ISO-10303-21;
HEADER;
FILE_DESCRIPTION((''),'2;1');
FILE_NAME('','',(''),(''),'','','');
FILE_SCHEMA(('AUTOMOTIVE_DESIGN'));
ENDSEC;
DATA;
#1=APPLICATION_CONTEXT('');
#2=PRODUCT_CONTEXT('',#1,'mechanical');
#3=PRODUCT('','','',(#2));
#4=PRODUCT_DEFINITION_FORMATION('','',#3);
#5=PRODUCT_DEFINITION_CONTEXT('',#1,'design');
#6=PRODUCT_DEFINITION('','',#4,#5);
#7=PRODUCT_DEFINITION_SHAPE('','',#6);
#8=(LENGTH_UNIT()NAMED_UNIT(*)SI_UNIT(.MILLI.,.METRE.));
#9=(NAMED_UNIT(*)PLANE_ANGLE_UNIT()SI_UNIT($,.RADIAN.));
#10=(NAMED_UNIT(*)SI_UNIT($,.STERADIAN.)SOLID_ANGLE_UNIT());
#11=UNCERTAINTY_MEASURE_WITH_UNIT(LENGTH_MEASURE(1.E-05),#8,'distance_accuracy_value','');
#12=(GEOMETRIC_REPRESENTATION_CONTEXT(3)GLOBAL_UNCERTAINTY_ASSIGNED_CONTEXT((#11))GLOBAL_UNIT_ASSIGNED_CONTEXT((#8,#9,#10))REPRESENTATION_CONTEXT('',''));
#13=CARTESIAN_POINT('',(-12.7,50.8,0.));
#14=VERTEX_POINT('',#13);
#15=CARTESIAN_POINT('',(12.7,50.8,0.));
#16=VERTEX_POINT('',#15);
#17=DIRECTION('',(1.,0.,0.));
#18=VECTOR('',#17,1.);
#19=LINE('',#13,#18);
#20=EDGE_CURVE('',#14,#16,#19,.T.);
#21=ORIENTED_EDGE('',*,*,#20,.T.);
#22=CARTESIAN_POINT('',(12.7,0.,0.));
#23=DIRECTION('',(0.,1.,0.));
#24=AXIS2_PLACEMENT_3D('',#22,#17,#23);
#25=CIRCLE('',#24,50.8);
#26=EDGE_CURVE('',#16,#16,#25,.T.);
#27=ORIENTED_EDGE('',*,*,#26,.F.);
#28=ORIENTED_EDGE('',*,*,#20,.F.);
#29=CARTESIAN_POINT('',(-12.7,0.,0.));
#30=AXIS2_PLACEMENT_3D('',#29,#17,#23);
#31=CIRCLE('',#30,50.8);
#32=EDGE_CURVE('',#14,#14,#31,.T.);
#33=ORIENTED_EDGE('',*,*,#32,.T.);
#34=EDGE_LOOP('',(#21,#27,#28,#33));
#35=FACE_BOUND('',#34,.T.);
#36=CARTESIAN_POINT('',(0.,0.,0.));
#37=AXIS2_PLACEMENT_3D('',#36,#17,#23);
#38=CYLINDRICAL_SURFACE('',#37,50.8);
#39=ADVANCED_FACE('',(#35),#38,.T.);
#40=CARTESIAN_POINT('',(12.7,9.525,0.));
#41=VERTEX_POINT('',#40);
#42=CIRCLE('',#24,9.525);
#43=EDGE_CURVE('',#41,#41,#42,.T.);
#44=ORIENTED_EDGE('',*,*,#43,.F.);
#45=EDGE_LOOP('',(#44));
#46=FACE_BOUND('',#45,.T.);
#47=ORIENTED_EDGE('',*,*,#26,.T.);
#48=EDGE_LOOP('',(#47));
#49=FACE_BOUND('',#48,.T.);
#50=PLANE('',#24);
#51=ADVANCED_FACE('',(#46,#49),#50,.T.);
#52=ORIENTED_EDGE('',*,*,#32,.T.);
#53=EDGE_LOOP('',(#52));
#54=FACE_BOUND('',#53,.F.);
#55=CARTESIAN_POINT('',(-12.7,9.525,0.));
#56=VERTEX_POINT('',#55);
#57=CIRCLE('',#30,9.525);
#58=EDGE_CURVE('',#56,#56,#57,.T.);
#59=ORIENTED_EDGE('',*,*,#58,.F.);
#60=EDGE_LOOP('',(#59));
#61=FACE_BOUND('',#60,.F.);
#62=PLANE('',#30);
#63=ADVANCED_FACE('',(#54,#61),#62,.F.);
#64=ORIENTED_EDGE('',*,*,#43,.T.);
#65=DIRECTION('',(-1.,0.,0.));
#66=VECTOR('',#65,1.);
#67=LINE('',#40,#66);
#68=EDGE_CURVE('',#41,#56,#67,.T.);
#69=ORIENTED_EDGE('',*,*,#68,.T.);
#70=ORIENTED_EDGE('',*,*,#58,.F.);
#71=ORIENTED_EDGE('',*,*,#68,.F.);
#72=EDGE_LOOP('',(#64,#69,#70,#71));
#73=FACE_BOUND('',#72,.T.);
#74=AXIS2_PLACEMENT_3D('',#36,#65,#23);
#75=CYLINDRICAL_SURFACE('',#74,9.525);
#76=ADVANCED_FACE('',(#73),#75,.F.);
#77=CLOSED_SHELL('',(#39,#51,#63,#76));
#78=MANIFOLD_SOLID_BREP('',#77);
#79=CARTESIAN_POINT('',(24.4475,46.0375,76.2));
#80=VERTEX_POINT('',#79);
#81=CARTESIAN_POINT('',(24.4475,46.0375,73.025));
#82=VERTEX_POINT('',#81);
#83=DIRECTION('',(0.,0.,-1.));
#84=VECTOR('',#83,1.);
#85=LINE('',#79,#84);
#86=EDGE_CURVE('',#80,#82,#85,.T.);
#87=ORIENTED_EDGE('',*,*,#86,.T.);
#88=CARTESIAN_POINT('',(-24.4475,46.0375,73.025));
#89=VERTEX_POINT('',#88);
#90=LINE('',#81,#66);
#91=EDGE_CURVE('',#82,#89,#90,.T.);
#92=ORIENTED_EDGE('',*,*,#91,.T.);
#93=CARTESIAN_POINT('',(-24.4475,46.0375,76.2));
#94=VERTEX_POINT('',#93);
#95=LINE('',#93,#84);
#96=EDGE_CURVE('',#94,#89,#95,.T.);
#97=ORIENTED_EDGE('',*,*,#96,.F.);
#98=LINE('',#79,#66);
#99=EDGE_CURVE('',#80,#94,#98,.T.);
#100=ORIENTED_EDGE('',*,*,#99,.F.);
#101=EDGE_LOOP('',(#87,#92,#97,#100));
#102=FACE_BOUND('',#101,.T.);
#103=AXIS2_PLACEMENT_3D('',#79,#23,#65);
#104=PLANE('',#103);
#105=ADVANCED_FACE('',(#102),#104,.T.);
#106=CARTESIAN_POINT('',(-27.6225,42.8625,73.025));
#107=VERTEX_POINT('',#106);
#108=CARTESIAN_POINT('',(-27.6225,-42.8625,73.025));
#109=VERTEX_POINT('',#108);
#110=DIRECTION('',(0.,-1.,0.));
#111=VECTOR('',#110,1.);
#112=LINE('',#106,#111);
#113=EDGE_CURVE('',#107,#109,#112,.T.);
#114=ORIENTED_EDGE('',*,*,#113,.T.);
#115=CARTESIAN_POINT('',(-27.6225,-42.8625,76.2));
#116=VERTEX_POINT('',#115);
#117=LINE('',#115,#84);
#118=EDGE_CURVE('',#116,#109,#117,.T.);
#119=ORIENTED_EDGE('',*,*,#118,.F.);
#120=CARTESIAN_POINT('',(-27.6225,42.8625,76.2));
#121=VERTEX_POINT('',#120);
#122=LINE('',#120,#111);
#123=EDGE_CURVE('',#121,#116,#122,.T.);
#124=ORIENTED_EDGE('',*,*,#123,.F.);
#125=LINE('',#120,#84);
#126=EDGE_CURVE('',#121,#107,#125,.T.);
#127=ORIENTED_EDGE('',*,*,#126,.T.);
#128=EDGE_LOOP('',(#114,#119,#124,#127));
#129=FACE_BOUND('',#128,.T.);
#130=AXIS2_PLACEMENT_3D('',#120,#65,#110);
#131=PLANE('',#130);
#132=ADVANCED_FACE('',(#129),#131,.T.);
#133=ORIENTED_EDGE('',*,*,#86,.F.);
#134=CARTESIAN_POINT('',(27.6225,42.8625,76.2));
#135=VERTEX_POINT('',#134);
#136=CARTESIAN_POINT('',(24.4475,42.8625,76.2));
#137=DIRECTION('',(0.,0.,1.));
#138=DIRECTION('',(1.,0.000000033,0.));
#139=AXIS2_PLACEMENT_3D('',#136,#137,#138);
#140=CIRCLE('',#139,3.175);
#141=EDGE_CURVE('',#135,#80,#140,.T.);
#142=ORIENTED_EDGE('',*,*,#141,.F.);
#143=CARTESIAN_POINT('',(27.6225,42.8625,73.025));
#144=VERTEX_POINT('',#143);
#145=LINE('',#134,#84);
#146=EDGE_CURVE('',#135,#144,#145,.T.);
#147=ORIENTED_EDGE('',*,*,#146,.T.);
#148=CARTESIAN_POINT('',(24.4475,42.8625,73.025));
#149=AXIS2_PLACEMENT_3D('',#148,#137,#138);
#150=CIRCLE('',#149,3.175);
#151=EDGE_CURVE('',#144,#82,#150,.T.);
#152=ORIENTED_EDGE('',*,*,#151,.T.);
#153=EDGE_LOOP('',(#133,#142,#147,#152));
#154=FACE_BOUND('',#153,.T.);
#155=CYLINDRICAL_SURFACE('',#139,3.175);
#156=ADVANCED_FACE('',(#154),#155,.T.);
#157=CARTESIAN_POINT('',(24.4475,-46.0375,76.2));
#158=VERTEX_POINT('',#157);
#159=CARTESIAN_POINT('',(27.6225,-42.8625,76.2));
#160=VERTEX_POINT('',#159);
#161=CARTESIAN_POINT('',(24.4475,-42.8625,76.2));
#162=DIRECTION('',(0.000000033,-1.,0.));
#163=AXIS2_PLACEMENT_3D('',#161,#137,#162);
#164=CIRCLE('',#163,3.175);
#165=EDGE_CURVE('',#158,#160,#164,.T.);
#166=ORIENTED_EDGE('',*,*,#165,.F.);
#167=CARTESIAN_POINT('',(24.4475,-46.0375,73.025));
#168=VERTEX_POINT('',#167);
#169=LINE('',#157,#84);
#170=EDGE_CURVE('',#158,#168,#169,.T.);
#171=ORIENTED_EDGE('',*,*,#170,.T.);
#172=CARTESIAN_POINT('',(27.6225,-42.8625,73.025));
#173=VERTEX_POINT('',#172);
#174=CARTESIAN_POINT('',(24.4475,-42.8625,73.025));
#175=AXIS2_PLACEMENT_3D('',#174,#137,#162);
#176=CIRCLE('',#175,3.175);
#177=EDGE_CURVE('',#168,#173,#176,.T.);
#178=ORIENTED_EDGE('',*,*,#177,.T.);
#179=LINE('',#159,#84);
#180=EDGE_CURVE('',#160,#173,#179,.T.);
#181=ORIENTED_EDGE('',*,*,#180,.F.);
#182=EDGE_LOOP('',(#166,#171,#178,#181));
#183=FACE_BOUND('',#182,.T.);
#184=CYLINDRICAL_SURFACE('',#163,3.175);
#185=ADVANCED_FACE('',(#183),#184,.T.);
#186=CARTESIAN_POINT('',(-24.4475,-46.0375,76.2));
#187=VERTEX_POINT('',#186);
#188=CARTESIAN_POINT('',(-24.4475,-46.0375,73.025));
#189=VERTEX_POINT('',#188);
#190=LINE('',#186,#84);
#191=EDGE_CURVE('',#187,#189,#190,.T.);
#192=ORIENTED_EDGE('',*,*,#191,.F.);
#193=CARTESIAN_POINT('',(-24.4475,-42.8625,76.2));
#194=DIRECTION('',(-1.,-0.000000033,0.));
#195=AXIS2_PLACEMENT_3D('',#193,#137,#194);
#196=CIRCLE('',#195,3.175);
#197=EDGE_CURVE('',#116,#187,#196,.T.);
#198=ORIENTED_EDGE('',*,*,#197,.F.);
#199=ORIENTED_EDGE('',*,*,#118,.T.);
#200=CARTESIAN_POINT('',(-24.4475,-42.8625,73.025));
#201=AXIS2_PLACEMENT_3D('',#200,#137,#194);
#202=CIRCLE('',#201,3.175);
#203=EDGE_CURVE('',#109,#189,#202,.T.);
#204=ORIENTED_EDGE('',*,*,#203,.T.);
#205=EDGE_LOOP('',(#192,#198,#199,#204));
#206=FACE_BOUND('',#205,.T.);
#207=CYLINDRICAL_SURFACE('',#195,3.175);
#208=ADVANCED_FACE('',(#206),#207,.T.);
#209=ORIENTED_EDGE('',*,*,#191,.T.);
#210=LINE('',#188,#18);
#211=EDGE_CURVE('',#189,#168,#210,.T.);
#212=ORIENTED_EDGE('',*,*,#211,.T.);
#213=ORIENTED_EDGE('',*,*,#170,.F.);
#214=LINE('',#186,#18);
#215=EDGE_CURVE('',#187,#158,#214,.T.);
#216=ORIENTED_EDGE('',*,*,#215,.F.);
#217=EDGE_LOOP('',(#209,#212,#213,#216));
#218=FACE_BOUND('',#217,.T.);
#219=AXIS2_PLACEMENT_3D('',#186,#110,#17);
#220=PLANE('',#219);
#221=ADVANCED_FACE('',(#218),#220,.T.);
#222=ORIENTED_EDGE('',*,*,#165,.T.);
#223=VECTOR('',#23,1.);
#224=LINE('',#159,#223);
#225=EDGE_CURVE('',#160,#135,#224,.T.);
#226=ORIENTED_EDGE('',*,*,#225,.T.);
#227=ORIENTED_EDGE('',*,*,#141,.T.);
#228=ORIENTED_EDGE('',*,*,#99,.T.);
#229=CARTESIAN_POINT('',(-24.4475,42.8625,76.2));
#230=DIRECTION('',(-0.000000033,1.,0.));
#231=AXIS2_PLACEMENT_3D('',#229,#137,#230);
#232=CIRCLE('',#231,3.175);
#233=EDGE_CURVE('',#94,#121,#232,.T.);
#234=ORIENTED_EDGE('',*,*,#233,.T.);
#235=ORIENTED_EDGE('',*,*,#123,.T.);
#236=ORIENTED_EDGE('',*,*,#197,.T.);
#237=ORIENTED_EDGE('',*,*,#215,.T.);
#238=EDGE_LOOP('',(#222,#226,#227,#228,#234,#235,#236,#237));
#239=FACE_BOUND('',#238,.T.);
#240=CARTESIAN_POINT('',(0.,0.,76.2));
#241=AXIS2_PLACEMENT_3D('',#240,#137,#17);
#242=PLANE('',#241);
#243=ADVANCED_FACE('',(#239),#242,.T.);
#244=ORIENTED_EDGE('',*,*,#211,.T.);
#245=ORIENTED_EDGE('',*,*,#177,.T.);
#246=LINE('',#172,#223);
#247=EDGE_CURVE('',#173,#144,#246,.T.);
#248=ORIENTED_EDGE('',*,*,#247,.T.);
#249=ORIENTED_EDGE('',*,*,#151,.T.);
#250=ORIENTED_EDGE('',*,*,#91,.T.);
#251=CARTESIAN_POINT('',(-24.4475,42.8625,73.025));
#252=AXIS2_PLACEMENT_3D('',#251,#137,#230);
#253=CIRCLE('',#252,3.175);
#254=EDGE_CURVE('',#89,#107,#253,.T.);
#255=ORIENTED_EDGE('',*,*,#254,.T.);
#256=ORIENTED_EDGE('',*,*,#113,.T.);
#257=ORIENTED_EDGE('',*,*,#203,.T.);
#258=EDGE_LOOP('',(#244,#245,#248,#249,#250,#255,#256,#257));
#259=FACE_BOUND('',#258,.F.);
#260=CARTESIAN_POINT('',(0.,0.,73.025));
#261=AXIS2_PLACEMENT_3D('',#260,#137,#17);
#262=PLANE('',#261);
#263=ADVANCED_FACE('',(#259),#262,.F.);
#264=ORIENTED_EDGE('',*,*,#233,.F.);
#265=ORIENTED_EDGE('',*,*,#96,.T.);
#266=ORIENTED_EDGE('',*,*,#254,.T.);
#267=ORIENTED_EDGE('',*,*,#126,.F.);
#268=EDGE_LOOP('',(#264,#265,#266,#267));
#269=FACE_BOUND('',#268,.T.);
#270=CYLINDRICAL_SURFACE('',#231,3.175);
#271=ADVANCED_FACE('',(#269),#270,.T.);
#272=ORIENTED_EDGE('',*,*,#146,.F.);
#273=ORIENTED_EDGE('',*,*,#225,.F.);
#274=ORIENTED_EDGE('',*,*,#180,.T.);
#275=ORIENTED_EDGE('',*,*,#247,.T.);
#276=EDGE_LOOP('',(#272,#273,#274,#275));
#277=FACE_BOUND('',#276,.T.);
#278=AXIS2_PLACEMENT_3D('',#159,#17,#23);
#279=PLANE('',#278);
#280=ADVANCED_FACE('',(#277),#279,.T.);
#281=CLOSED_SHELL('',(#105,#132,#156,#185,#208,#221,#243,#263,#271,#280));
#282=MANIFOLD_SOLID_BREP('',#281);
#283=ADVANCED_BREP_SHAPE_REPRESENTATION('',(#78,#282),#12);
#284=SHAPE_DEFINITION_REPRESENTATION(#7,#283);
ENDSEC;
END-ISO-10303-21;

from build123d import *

# Parameters (mm, degrees)
F0_R     = 50.8
F0_R_2   = 9.525
F1_DEPTH = 12.7
F4_DEPTH = 3.175


with BuildPart() as f1:
    # F0 (on Right) → F1 (new body, symmetric)
    with BuildSketch(Plane.YZ):
        Circle(F0_R)
        Circle(F0_R_2, mode=Mode.SUBTRACT)
    extrude(amount=F1_DEPTH, both=True)


with BuildPart() as f4:
    # F3 (on offset) → F4 (new body)
    with BuildSketch(Plane.XY.offset(76.2)):
        with BuildLine():
            ThreePointArc((27.6225, 42.8625), (26.692564, 45.107564), (24.4475, 46.0375))
            Line((24.4475, 46.0375), (-24.4475, 46.0375))
            ThreePointArc((-24.4475, 46.0375), (-26.692564, 45.107564), (-27.6225, 42.8625))
            Line((-27.6225, 42.8625), (-27.6225, -42.8625))
            ThreePointArc((-27.6225, -42.8625), (-26.692564, -45.107564), (-24.4475, -46.0375))
            Line((-24.4475, -46.0375), (24.4475, -46.0375))
            ThreePointArc((24.4475, -46.0375), (26.692564, -45.107564), (27.6225, -42.8625))
            Line((27.6225, -42.8625), (27.6225, 42.8625))
        make_face()
    extrude(amount=-F4_DEPTH)


solid = Compound([f1.part, f4.part])
